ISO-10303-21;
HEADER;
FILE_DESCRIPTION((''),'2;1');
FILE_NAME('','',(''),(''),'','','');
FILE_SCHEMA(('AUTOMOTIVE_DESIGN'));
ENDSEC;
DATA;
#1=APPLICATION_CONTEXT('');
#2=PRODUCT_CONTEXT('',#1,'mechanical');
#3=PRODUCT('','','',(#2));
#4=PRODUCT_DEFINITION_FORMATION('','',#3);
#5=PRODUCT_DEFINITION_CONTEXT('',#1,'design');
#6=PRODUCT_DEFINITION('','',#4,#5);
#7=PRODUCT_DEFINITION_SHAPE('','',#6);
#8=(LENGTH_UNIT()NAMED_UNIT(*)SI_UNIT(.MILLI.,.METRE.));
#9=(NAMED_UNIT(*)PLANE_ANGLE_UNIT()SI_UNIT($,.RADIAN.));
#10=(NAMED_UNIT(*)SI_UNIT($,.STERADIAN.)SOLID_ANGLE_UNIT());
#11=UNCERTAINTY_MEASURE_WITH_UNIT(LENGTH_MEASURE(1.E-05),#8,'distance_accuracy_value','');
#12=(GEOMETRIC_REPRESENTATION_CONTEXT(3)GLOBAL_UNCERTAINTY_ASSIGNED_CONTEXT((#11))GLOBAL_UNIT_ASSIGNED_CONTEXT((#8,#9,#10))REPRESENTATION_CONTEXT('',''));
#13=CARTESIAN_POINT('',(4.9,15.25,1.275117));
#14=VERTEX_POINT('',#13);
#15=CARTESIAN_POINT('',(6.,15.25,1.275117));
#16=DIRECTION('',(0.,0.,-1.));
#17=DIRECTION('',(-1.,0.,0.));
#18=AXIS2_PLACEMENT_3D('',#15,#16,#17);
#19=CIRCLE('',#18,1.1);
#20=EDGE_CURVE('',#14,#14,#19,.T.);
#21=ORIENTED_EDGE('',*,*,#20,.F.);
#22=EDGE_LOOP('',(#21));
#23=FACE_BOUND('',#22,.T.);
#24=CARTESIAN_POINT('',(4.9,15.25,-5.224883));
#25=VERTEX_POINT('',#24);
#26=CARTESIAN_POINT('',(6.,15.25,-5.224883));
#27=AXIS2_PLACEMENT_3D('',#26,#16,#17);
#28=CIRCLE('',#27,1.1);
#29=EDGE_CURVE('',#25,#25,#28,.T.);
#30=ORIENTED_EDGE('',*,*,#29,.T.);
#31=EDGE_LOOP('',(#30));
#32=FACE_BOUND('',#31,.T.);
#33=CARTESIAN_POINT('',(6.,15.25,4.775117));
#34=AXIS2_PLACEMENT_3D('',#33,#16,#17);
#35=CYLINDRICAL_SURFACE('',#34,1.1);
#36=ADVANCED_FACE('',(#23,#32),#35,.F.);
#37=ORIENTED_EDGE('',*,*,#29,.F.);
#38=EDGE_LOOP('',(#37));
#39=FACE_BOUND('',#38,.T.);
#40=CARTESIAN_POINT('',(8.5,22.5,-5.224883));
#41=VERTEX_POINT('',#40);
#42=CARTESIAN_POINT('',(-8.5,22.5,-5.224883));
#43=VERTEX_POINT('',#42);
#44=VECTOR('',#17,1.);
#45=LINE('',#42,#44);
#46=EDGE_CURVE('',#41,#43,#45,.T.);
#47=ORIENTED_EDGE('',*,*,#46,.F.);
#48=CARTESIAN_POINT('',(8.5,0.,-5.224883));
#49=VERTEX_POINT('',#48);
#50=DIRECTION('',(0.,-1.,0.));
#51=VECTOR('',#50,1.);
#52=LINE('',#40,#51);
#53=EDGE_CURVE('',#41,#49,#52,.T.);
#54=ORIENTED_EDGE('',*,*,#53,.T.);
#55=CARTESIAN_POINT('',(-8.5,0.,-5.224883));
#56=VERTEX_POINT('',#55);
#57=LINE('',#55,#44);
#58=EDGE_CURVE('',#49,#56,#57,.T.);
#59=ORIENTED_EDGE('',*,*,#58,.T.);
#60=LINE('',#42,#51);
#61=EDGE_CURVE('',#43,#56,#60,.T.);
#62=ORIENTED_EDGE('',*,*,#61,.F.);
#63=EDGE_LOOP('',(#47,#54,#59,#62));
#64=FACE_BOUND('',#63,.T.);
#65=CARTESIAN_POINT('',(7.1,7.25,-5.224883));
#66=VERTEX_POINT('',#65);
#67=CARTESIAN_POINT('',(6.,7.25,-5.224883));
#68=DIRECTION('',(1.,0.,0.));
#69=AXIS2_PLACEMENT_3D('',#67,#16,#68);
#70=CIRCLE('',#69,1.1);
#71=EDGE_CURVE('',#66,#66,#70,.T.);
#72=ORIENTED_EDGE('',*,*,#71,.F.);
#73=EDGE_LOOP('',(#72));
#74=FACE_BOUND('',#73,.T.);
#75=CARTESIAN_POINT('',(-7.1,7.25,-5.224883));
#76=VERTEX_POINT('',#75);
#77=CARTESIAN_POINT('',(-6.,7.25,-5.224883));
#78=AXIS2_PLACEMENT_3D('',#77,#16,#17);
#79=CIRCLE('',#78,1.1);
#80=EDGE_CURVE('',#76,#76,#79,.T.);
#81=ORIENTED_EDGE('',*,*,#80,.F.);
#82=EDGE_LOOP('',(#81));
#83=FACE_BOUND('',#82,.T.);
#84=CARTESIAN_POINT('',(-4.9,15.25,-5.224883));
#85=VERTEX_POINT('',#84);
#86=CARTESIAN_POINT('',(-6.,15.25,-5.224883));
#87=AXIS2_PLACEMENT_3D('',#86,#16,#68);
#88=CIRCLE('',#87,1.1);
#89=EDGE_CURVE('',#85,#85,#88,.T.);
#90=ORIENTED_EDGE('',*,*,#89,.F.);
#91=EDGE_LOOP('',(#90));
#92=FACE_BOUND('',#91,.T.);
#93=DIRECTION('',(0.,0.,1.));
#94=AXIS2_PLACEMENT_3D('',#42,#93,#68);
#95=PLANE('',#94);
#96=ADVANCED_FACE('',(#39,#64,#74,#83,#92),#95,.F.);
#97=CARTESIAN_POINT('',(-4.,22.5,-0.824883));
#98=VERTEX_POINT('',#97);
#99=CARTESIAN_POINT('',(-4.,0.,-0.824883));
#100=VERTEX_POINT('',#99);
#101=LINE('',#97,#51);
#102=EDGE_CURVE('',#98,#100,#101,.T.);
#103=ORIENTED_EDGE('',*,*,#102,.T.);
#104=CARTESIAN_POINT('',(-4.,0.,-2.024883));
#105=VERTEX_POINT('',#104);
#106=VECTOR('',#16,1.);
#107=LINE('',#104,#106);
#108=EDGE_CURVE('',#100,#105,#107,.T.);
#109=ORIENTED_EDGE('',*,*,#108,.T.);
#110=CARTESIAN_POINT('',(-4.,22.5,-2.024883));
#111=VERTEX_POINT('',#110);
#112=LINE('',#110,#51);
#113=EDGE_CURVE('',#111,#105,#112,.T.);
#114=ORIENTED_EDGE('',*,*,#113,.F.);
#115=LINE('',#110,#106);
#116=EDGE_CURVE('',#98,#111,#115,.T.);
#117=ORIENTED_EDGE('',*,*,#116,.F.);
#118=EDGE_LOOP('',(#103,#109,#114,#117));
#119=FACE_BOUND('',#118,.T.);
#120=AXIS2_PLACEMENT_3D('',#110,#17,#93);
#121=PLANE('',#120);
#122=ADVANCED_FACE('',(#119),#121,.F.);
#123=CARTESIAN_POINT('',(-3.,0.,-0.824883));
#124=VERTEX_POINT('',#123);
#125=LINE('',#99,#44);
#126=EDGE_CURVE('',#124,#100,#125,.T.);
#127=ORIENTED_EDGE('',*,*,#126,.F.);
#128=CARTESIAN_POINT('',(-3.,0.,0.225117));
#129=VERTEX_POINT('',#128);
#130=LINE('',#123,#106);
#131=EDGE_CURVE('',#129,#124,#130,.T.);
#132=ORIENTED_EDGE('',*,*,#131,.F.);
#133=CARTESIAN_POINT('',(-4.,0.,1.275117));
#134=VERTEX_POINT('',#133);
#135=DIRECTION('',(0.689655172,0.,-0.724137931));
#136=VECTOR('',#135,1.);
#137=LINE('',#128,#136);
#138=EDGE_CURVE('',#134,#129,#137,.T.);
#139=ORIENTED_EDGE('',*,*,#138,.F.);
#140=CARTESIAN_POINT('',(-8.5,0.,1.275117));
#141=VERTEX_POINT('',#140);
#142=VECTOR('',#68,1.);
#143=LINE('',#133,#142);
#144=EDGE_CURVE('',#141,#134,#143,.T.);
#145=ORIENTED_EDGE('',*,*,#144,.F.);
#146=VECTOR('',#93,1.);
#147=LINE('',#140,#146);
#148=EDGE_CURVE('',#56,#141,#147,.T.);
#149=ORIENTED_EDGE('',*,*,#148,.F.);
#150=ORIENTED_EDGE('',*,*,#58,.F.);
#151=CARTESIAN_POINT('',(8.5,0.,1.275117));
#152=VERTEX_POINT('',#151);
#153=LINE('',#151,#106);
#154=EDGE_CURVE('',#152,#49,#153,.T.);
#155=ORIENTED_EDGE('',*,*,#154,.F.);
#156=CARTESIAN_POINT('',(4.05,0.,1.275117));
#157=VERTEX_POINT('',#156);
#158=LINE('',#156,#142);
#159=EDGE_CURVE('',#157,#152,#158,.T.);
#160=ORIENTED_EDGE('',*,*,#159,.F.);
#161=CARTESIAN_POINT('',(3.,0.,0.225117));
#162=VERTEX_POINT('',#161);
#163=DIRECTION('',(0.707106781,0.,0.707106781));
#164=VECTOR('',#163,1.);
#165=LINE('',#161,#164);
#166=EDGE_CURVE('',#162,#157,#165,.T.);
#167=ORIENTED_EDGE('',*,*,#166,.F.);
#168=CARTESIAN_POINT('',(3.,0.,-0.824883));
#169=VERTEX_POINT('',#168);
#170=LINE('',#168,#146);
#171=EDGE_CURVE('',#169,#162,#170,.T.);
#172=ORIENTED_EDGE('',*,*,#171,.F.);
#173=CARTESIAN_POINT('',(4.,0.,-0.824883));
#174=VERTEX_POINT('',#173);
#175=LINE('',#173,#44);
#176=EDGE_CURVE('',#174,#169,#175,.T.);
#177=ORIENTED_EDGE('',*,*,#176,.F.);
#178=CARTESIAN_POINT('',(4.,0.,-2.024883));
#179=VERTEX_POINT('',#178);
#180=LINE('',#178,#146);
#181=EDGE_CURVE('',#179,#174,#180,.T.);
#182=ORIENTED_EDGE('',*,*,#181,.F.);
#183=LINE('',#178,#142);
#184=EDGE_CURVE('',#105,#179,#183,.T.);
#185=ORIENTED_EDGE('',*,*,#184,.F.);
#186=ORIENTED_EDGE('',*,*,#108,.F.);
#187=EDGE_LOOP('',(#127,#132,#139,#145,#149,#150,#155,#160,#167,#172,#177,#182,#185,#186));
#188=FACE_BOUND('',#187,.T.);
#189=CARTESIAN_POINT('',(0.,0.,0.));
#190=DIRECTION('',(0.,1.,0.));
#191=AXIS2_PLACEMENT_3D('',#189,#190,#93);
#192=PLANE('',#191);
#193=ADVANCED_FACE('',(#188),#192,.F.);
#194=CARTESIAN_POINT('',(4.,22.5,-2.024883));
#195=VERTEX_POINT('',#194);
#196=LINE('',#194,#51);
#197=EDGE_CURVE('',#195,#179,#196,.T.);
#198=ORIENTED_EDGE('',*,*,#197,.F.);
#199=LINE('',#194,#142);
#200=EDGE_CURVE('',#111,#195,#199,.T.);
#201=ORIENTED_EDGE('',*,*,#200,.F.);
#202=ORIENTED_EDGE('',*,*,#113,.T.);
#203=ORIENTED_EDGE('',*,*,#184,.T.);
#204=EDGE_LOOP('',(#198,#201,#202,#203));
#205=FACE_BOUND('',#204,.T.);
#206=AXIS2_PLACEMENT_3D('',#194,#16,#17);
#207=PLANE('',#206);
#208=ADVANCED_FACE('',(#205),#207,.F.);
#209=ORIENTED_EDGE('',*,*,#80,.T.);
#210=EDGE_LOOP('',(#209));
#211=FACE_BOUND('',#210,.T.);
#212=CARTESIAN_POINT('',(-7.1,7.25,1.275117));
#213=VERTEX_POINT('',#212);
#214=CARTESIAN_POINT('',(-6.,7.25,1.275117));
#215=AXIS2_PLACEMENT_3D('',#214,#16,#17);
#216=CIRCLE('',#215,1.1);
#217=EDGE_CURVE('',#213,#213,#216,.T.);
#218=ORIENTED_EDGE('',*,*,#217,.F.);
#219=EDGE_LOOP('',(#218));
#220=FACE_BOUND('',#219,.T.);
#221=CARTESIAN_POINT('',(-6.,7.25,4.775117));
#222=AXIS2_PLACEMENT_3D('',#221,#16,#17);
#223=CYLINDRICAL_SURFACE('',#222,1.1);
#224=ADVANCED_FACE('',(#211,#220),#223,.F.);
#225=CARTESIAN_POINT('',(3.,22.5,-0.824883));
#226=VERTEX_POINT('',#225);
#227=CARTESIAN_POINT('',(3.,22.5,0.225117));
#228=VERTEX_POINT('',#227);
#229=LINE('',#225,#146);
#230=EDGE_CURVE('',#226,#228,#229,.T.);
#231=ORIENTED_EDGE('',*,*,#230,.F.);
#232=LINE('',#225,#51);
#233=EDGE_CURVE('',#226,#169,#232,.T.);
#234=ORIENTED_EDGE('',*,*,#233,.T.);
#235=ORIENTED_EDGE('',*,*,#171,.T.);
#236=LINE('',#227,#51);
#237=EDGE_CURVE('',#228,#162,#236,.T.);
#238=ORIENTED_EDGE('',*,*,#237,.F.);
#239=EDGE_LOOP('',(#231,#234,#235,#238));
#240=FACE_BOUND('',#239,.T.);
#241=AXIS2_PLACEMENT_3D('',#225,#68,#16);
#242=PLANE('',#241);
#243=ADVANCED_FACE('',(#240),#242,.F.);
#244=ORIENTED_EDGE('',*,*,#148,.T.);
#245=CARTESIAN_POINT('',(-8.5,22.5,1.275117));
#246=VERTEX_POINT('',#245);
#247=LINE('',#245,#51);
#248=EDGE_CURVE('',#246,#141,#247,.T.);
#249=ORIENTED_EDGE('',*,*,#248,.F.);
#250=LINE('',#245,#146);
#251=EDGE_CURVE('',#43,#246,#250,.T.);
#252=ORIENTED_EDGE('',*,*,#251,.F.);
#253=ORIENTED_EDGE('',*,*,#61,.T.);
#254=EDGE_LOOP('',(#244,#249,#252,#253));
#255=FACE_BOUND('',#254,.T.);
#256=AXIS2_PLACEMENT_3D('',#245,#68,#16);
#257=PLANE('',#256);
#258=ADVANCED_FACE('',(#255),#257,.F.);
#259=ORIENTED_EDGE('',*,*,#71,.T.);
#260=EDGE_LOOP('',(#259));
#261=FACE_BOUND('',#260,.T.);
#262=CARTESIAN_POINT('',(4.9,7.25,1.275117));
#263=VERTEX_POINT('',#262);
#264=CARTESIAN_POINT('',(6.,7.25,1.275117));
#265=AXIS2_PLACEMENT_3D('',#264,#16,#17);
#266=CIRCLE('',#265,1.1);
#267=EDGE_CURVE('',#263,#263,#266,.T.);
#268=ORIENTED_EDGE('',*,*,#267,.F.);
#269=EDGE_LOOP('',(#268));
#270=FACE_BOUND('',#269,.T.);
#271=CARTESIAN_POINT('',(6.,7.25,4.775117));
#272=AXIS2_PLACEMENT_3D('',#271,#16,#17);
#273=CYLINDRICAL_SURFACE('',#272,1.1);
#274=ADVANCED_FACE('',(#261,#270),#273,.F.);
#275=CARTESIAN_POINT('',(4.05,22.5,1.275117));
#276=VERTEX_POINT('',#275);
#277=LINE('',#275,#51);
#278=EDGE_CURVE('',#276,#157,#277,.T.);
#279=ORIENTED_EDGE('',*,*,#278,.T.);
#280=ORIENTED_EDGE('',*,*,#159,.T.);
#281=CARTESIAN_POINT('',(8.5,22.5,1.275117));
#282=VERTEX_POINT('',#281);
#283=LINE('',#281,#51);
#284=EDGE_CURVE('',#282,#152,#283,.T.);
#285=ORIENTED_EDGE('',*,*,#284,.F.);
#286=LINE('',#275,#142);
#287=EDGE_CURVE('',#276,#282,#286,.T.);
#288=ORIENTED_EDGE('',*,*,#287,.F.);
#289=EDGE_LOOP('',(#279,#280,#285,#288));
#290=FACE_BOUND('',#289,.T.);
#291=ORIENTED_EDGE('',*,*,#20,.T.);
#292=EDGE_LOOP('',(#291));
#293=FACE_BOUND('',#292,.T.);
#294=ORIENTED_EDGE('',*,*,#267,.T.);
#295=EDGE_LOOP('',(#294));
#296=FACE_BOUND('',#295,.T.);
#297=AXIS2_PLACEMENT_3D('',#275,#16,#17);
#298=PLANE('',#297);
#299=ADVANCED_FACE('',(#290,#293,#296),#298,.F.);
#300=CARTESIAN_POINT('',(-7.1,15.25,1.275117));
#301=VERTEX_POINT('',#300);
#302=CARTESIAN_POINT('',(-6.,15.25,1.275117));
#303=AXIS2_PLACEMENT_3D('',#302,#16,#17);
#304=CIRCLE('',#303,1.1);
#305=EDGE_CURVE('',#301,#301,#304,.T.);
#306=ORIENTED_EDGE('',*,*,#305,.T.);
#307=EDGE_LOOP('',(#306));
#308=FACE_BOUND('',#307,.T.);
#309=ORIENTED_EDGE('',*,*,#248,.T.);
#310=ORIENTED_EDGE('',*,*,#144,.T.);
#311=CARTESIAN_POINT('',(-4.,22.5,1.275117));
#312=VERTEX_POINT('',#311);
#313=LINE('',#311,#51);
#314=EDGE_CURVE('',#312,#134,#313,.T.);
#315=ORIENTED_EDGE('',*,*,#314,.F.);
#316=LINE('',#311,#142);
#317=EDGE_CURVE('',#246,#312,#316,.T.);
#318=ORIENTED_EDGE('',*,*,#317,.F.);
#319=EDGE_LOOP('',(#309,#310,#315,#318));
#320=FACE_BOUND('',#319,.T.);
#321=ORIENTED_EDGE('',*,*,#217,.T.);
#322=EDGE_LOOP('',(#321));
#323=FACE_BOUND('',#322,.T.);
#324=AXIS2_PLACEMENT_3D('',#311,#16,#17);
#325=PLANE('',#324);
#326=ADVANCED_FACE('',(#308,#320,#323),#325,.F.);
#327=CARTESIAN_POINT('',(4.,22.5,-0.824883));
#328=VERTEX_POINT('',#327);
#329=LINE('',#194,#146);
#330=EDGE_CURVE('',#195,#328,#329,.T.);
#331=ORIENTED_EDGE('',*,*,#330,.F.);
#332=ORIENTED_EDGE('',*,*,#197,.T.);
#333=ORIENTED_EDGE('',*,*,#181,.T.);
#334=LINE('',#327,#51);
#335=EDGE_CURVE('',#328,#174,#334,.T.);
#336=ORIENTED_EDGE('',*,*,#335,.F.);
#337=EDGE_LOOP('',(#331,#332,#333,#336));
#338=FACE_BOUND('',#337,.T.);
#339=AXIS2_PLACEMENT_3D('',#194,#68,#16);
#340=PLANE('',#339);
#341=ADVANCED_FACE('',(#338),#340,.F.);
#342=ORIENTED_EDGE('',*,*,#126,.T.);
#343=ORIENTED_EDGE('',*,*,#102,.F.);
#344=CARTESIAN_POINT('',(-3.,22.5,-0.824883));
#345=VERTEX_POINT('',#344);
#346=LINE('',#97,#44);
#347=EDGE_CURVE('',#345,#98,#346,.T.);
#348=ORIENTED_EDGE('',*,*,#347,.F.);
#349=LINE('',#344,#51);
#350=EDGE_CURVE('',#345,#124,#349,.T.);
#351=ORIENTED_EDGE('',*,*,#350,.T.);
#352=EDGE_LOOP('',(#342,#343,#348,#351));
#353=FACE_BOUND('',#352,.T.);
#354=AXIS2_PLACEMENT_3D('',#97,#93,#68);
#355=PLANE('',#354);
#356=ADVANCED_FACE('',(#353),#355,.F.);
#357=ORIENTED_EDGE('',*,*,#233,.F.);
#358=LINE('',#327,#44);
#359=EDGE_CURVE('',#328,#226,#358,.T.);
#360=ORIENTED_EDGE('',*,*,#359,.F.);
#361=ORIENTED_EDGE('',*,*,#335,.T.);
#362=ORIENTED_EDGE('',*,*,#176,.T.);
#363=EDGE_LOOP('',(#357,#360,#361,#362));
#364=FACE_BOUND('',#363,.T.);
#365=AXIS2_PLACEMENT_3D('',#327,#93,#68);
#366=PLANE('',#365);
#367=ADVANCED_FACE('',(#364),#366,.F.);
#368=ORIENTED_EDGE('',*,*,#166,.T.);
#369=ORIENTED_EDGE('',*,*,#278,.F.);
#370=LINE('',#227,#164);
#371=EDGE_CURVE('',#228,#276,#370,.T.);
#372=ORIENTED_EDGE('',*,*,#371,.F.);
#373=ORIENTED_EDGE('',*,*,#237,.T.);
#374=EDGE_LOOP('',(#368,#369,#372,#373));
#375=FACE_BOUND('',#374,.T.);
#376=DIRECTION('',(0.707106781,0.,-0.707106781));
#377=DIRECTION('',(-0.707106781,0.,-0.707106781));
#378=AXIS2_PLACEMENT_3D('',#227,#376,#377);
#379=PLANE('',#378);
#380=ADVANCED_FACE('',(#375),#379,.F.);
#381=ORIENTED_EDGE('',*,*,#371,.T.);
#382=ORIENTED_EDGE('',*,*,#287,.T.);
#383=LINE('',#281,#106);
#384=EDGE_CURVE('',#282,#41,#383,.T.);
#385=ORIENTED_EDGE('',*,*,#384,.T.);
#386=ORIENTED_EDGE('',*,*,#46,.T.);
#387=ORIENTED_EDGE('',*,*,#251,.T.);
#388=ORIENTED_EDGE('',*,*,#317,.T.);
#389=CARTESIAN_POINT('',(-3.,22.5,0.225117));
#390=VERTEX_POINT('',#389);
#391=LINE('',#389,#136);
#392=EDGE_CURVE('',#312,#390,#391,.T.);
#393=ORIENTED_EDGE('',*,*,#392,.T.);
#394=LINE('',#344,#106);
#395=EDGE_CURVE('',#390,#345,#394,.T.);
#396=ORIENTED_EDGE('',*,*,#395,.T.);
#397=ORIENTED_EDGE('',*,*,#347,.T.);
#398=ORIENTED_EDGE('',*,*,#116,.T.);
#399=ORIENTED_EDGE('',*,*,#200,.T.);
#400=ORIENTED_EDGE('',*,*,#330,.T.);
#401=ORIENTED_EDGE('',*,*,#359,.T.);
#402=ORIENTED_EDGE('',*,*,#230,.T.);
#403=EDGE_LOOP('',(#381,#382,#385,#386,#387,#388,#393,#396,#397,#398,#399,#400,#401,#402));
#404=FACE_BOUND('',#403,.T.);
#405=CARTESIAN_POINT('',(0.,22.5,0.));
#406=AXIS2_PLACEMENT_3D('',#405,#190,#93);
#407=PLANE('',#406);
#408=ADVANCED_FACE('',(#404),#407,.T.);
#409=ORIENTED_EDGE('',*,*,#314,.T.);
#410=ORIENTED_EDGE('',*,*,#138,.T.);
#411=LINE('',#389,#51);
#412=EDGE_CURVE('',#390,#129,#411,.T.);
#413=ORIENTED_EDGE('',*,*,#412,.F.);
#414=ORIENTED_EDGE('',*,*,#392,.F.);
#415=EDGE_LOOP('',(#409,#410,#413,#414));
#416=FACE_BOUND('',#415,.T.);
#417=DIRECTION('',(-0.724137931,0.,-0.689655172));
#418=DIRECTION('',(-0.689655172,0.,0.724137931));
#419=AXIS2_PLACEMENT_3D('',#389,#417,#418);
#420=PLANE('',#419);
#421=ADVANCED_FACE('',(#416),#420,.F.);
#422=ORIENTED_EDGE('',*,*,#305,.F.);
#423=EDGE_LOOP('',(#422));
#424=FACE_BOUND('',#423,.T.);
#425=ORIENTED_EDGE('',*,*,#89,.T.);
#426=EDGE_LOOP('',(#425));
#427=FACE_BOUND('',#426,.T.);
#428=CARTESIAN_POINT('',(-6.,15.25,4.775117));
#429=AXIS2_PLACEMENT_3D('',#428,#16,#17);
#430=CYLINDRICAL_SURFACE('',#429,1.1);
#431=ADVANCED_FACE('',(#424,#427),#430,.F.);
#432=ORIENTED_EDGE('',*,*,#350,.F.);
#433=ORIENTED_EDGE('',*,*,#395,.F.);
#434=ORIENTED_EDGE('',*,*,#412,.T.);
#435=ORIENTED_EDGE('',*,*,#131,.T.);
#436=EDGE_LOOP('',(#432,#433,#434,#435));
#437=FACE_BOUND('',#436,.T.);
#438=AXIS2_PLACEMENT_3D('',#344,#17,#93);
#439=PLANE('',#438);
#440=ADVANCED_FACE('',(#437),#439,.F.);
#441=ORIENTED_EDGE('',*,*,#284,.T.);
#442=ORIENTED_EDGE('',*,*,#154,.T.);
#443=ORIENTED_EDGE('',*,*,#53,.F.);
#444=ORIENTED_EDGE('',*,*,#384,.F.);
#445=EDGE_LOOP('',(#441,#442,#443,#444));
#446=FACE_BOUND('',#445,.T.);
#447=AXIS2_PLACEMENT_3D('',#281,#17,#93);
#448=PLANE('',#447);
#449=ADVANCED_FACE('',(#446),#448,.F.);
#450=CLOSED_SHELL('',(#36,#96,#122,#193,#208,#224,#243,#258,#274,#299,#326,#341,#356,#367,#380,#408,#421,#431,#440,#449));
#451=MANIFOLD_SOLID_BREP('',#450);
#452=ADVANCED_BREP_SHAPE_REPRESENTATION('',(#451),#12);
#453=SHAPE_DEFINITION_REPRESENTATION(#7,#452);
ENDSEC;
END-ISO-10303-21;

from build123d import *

# Parameters (mm, degrees)
EXTRUDE_1_DEPTH     = 22.5
SKETCH_2_R          = 1.1
CUT_EXTRUDE_1_DEPTH = 10


with BuildPart() as part:
    # 草图1 → 凸台-拉伸1 (new body)
    with BuildSketch(Plane(origin=(0, 0, 0), x_dir=(1, 0, 0), z_dir=(0, 1, 0))):
        Polygon((-4, 0.824883125), (-3, 0.824883125), (-3, -0.225116875), (-4, -1.275116875), (-8.5, -1.275116875), (-8.5, 5.224883125), (8.5, 5.224883125), (8.5, -1.275116875), (4.05, -1.275116875), (3, -0.225116875), (3, 0.824883125), (4, 0.824883125), (4, 2.024883125), (-4, 2.024883125), align=None)
    extrude(amount=EXTRUDE_1_DEPTH)

    # 草图2 → 切除-拉伸1 (cut)
    with BuildSketch(Plane(origin=(0, 0, -5.224883125), x_dir=(-1, 0, 0), z_dir=(0, 0, -1))):
        with Locations((-6, 15.25)):
            Circle(SKETCH_2_R)
        with Locations((6, 15.25)):
            Circle(SKETCH_2_R)
        with Locations((6, 7.25)):
            Circle(SKETCH_2_R)
        with Locations((-6, 7.25)):
            Circle(SKETCH_2_R)
    extrude(amount=-CUT_EXTRUDE_1_DEPTH, mode=Mode.SUBTRACT)


solid = part.part
